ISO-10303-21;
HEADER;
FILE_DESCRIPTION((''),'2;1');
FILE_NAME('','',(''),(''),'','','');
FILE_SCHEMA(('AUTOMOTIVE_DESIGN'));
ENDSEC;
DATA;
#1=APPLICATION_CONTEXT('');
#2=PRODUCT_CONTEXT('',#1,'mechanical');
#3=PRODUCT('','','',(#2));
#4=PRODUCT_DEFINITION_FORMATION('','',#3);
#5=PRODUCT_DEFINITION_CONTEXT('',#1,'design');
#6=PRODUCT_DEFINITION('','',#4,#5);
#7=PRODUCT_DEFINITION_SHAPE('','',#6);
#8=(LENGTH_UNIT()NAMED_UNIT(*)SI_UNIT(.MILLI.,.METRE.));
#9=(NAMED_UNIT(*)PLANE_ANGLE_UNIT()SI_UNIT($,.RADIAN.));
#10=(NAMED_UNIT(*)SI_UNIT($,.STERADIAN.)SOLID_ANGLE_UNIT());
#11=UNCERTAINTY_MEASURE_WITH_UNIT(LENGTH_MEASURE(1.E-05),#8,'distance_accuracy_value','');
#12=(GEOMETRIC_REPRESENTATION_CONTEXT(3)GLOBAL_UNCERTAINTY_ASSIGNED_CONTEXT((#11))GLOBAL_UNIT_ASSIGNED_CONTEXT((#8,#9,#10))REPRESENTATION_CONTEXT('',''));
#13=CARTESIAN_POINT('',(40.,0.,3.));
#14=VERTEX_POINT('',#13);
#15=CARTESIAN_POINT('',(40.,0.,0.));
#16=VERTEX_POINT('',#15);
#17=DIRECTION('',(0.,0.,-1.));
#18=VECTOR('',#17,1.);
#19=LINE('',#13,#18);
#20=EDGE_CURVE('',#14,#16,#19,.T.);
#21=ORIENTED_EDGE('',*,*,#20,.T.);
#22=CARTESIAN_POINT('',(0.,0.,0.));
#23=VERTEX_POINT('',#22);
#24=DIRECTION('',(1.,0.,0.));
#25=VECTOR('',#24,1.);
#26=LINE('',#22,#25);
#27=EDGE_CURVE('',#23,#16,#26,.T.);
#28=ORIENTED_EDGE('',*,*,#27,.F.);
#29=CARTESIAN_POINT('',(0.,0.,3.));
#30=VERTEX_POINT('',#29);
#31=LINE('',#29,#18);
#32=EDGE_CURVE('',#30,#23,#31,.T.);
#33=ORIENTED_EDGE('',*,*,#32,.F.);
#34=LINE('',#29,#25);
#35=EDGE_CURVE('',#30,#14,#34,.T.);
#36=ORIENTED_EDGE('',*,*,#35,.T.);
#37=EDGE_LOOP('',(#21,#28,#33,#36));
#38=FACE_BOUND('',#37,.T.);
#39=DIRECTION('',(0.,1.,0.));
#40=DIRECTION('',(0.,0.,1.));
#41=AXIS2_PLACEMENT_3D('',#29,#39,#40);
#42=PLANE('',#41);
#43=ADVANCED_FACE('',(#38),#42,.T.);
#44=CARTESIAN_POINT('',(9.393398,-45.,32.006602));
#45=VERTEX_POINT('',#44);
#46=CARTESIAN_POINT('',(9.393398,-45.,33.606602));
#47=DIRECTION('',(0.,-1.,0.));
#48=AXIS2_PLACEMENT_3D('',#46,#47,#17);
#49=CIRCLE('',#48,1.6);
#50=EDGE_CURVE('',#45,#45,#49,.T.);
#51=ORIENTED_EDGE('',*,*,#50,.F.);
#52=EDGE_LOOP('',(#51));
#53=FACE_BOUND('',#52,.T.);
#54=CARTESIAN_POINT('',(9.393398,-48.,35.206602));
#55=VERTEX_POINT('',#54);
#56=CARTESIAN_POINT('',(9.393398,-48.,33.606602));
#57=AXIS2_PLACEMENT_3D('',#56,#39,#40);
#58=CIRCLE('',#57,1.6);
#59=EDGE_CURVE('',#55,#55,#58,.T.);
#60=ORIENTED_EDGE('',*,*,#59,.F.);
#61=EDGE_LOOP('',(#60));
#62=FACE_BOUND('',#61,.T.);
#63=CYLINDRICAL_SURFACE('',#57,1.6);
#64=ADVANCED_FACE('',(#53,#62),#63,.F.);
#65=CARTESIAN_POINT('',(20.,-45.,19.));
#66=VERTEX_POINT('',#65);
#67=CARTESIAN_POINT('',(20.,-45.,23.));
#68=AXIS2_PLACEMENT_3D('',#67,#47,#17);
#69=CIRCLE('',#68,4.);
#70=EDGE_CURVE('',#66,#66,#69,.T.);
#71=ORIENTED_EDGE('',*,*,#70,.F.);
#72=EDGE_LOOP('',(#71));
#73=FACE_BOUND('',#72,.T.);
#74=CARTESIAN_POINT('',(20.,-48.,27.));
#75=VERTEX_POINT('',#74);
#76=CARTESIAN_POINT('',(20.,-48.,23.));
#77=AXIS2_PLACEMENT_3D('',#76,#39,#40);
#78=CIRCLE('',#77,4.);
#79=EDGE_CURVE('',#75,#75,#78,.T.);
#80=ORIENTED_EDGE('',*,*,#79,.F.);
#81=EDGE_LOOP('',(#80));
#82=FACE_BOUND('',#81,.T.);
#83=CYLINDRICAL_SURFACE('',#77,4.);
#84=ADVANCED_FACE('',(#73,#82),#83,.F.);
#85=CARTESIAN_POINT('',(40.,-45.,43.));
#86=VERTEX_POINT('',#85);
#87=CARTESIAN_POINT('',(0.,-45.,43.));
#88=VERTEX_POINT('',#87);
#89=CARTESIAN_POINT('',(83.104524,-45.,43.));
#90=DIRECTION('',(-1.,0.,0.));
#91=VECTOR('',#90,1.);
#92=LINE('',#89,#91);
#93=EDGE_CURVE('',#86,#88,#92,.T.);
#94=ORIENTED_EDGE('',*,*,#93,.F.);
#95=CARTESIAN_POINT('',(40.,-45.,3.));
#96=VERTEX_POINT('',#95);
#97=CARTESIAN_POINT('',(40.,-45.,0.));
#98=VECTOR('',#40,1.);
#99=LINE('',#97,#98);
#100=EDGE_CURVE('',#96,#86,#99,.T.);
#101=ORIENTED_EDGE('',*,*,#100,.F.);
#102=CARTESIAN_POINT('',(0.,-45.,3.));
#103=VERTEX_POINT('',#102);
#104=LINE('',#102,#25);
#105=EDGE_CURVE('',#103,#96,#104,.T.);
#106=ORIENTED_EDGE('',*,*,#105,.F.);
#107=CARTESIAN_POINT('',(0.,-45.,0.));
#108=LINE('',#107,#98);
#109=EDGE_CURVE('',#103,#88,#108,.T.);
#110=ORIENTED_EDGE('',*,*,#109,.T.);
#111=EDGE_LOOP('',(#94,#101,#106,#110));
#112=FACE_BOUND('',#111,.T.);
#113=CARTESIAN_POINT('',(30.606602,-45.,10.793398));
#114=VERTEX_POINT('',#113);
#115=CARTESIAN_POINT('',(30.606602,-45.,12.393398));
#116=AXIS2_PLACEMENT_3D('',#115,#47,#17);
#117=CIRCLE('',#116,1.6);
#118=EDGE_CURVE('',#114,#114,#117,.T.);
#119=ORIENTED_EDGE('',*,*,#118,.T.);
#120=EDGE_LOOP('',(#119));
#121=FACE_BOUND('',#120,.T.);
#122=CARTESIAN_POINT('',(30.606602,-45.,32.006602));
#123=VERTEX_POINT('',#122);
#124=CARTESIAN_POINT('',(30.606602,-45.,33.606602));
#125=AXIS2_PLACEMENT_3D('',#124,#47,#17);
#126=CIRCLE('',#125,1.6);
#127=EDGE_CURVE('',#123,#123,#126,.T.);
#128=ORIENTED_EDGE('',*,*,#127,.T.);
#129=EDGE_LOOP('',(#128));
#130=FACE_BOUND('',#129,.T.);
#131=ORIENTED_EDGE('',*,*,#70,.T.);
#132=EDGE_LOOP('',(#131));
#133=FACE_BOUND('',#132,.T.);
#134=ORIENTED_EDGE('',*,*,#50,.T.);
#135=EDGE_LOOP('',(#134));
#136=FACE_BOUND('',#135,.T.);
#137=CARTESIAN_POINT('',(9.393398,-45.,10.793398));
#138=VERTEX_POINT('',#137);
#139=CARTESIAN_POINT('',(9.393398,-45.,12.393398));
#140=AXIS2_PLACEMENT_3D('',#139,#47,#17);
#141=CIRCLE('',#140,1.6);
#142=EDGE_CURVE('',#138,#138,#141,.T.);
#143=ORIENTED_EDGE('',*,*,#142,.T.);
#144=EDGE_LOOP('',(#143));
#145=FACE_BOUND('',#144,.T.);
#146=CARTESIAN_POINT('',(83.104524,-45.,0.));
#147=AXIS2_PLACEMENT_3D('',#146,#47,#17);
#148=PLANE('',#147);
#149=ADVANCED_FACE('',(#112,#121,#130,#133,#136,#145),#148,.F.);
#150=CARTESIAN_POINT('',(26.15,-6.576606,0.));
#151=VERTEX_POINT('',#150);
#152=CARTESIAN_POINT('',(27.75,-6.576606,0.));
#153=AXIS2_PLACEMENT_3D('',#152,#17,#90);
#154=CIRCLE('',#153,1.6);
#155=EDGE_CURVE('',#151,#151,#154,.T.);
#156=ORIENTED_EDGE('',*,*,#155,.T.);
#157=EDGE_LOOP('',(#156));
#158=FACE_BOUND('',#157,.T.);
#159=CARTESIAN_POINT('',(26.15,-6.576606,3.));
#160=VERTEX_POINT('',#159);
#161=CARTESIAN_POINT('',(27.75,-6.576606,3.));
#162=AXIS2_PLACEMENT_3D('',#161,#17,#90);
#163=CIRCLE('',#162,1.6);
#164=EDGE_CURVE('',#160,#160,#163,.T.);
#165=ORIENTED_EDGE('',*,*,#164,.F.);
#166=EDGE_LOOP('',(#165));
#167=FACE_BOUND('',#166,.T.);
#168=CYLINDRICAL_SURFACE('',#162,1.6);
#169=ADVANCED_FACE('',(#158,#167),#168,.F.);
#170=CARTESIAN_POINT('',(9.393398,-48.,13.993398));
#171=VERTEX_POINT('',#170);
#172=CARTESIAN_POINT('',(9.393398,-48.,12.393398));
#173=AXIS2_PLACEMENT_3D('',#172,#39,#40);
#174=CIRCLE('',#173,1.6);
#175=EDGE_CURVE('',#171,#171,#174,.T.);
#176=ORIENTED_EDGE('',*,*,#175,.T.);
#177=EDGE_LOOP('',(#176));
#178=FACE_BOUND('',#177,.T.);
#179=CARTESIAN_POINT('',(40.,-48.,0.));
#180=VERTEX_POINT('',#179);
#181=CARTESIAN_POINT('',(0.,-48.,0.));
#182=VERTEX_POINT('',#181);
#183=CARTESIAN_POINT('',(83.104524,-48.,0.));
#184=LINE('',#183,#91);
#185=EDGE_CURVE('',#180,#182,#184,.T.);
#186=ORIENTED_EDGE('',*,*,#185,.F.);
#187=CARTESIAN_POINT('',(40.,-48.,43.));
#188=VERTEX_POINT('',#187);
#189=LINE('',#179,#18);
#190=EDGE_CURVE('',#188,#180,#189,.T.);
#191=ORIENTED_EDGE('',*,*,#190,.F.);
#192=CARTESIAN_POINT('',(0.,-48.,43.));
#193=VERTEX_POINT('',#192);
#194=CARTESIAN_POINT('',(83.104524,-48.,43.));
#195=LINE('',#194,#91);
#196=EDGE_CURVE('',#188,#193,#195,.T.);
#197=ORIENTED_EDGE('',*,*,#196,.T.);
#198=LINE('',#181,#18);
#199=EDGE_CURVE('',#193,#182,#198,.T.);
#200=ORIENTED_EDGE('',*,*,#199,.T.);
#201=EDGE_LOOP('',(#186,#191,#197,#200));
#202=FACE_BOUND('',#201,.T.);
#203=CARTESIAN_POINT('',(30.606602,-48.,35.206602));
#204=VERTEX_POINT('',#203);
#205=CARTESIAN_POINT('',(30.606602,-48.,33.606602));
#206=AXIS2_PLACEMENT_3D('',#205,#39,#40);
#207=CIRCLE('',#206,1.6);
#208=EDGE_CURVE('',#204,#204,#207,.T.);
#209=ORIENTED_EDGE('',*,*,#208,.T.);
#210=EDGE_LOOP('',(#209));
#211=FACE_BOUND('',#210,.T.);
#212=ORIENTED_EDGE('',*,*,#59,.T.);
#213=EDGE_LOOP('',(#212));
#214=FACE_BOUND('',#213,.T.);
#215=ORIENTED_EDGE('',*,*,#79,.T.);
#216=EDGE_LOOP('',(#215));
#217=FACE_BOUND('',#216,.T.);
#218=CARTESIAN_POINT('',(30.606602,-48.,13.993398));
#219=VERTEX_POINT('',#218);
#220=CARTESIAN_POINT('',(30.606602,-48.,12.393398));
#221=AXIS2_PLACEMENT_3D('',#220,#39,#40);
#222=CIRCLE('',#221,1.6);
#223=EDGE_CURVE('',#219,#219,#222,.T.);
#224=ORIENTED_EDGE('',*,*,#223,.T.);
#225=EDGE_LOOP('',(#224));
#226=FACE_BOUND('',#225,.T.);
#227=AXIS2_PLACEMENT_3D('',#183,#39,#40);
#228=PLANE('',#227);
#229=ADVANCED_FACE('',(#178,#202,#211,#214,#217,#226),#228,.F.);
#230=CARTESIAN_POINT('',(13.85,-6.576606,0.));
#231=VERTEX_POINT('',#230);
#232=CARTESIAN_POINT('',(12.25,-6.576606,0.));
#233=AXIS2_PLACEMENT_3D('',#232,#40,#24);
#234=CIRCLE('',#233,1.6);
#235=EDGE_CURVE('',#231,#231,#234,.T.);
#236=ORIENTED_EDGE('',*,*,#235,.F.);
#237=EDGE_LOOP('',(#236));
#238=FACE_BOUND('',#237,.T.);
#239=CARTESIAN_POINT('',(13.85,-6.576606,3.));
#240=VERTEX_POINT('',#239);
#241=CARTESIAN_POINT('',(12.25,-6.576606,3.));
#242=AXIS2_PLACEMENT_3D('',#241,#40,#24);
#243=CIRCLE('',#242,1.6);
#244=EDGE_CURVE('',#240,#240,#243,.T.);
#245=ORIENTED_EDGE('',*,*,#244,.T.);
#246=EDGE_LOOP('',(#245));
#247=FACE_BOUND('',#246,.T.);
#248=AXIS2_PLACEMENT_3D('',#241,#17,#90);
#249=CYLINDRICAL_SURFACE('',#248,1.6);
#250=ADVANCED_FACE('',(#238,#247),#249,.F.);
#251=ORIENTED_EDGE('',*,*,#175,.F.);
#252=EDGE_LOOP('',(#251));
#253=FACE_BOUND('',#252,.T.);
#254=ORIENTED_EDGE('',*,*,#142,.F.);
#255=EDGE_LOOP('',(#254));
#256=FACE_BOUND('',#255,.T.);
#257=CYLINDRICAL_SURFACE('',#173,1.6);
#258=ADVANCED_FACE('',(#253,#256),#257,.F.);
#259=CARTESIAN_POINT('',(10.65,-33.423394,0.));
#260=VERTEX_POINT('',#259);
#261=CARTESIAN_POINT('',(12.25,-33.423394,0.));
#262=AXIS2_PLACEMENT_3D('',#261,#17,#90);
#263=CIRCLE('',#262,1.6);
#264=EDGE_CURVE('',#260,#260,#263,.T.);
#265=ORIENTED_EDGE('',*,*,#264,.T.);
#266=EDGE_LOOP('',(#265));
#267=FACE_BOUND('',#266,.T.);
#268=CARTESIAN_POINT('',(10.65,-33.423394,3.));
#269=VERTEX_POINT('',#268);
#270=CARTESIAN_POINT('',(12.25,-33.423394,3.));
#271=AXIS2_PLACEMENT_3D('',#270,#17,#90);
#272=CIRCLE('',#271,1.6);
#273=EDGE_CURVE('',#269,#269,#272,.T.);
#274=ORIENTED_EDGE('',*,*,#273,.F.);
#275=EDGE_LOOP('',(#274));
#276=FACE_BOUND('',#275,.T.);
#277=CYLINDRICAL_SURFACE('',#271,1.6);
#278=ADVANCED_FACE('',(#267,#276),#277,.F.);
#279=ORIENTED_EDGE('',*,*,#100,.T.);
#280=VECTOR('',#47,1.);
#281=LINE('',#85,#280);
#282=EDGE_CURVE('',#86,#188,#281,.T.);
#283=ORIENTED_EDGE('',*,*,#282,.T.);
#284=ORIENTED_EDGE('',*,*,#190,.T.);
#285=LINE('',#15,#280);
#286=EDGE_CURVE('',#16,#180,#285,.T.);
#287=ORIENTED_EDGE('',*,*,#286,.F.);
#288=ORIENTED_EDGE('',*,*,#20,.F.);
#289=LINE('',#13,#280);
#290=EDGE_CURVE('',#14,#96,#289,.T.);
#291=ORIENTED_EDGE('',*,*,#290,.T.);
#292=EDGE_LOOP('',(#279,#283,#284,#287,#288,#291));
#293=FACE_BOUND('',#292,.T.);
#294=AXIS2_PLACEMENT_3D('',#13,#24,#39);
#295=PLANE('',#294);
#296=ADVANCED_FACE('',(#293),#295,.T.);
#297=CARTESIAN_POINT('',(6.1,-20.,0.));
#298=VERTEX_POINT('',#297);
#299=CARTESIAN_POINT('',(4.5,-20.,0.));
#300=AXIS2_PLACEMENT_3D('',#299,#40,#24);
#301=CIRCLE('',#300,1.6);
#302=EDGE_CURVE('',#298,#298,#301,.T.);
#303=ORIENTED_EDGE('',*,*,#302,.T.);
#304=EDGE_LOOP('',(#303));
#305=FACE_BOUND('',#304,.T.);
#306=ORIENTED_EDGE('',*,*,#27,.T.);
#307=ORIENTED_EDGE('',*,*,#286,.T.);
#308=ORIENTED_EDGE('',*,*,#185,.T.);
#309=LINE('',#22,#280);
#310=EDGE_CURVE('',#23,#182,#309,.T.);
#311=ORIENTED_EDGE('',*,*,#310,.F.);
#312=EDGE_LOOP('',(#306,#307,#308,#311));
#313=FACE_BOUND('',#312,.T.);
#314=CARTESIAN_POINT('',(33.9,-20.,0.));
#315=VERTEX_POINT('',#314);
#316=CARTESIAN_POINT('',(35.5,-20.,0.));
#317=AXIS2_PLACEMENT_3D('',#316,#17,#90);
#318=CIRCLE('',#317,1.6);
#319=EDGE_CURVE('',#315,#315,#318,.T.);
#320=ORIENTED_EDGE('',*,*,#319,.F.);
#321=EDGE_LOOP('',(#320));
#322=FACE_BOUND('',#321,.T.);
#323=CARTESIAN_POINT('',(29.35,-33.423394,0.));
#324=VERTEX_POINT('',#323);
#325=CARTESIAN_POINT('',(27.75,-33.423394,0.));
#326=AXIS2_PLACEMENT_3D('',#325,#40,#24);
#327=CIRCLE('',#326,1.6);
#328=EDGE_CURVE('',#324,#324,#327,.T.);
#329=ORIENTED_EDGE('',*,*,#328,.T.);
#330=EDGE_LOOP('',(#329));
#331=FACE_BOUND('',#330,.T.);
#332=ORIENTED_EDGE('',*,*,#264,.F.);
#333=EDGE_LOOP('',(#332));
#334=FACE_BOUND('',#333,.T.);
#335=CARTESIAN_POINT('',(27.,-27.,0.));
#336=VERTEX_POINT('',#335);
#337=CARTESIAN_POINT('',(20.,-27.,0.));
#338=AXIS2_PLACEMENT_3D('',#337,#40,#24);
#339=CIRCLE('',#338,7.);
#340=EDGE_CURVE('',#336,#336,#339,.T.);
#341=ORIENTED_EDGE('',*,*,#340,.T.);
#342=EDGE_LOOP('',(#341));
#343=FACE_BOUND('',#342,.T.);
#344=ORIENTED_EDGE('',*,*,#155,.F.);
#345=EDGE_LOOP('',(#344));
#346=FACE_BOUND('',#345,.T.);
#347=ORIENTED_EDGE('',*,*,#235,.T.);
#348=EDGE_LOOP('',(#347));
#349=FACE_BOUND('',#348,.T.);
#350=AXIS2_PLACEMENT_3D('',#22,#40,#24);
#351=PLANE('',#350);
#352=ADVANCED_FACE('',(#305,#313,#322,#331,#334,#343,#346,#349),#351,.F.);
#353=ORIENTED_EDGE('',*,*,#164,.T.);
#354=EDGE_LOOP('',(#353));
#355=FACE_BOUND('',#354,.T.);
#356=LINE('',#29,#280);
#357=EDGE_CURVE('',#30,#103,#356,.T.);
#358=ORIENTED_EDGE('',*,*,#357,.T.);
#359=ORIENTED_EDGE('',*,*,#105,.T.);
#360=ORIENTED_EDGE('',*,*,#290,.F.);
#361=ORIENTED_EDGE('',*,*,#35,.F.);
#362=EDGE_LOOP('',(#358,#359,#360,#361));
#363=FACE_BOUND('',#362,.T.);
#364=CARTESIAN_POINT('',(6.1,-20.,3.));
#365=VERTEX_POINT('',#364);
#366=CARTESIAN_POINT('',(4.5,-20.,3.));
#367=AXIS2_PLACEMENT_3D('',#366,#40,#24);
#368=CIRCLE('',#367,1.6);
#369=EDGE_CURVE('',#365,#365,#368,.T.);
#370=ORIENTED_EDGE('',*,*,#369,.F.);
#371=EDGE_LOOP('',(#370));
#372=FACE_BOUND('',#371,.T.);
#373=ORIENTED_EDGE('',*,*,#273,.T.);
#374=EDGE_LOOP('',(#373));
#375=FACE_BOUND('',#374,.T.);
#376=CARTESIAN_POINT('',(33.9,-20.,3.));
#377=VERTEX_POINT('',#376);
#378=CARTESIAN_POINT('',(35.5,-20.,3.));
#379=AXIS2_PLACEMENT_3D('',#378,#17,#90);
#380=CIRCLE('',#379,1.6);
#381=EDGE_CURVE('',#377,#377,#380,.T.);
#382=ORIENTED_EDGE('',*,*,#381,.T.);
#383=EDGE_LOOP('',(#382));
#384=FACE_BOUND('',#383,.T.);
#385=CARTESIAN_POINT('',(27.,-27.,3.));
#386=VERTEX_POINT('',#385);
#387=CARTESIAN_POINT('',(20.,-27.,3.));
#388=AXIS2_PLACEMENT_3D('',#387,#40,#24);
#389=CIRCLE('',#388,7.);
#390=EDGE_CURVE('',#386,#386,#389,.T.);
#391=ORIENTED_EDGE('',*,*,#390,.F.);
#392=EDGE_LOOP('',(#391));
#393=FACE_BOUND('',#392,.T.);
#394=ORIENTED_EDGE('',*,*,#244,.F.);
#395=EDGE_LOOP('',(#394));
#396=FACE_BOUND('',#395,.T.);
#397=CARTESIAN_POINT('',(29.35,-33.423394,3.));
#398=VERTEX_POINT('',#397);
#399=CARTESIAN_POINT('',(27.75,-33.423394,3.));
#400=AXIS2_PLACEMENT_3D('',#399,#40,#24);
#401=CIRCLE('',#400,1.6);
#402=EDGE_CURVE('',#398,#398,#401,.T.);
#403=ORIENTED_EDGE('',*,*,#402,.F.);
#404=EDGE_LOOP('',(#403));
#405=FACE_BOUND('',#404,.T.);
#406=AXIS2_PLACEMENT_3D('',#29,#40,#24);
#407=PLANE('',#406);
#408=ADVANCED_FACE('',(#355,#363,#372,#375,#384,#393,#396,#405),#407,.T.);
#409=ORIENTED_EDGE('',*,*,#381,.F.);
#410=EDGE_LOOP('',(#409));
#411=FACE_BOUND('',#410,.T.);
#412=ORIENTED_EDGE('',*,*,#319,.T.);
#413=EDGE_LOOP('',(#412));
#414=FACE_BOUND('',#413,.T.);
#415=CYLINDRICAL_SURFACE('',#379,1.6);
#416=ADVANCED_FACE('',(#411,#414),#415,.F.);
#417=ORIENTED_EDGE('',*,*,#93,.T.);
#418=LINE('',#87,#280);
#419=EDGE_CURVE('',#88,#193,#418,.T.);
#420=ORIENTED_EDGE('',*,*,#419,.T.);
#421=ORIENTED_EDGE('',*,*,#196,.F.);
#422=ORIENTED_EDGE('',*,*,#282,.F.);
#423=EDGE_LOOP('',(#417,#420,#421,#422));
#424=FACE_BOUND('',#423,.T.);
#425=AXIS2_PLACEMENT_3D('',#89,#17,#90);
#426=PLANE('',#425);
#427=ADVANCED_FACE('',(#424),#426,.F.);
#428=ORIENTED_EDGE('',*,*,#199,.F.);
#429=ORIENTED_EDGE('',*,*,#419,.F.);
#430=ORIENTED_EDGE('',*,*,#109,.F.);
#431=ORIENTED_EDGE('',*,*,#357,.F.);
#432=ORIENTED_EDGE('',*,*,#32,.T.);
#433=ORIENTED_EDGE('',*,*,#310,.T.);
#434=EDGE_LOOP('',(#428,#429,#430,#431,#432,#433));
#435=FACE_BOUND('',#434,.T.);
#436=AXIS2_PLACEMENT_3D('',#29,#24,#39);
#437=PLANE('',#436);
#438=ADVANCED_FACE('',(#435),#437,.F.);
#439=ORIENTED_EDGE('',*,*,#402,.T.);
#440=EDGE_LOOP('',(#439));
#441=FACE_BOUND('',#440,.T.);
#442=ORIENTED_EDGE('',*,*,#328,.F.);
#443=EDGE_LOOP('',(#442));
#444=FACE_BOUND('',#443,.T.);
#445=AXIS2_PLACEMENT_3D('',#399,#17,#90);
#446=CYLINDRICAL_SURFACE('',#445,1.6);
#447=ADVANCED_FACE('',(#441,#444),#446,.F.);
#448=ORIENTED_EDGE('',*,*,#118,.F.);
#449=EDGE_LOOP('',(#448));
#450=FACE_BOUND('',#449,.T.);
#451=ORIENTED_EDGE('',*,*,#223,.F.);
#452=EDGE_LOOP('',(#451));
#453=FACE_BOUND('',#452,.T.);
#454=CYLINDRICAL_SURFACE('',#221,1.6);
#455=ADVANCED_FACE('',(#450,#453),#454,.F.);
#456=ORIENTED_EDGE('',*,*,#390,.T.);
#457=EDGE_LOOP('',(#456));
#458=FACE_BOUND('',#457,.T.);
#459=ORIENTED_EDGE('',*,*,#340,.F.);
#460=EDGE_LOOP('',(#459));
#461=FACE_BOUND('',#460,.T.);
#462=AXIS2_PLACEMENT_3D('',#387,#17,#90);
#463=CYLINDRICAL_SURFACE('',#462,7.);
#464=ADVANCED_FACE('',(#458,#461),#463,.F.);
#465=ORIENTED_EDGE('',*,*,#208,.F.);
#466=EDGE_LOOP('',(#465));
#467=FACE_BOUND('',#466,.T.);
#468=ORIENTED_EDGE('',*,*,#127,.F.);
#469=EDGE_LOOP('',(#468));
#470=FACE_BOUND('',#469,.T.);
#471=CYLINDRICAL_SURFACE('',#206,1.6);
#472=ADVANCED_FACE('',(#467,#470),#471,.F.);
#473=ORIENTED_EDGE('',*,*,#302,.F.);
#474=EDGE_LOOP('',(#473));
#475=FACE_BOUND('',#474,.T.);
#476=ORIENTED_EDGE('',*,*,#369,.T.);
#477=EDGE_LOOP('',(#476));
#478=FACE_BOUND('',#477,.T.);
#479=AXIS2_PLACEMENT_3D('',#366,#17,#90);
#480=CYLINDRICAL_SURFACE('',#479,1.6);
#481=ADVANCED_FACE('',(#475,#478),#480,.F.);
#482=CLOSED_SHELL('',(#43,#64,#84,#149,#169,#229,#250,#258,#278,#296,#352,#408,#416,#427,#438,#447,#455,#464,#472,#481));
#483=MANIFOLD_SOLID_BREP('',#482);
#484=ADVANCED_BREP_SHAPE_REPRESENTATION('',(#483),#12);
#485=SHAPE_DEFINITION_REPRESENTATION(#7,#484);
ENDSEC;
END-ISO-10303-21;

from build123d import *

# Parameters (mm, degrees)
SKETCH2_W               = 40
SKETCH2_H               = 45
SKETCH2_R               = 1.6
SKETCH2_R_2             = 7
BOSS_EXTRUDE1_DEPTH     = 3
SKETCH3_W               = 43
SKETCH3_H               = 3
BOSS_EXTRUDE2_DEPTH     = 40
CUT_EXTRUDE1_DEPTH      = 74.986485252
CUT_EXTRUDE1_DEPTH_BACK = 74.986485252
SKETCH4_R               = 1.6
SKETCH4_R_2             = 4


with BuildPart() as part:
    # Sketch2 → Boss-Extrude1 (new body)
    with BuildSketch(Plane.XY):
        with Locations((20, -22.5)):
            Rectangle(SKETCH2_W, SKETCH2_H)
        with Locations((4.5, -20)):
            Circle(SKETCH2_R, mode=Mode.SUBTRACT)
        with Locations(Location((35.5, -20, 0), (0, 0, 180))):
            Circle(SKETCH2_R, mode=Mode.SUBTRACT)
        with Locations((12.25, -6.576606241)):
            Circle(SKETCH2_R, mode=Mode.SUBTRACT)
        with Locations(Location((27.75, -6.576606241, 0), (0, 0, 180))):
            Circle(SKETCH2_R, mode=Mode.SUBTRACT)
        with Locations((27.75, -33.423393759)):
            Circle(SKETCH2_R, mode=Mode.SUBTRACT)
        with Locations(Location((12.25, -33.423393759, 0), (0, 0, 180))):
            Circle(SKETCH2_R, mode=Mode.SUBTRACT)
        with Locations((20, -27)):
            Circle(SKETCH2_R_2, mode=Mode.SUBTRACT)
    extrude(amount=BOSS_EXTRUDE1_DEPTH)

    # Sketch3 → Boss-Extrude2 (add)
    with BuildSketch(Plane(origin=(0, 0, 0), x_dir=(0, 0, -1), z_dir=(1, 0, 0))):
        with Locations((-21.5, -46.5)):
            Rectangle(SKETCH3_W, SKETCH3_H)
    extrude(amount=BOSS_EXTRUDE2_DEPTH)

    # Sketch4 → Cut-Extrude1 (cut, two sides: drawn at the far end of the back side and taken through both)
    with BuildSketch(Plane(origin=(0, -45, 0), x_dir=(1, 0, 0), z_dir=(0, 1, 0)).offset(-CUT_EXTRUDE1_DEPTH_BACK)):
        with Locations(Location((9.393398282, -33.606601718, 0), (0, 0, 270))):
            Circle(SKETCH4_R)
        with Locations(Location((20, -23, 0), (0, 0, 270))):
            Circle(SKETCH4_R_2)
        with Locations(Location((9.393398282, -12.393398282, 0), (0, 0, 270))):
            Circle(SKETCH4_R)
        with Locations(Location((30.606601718, -12.393398282, 0), (0, 0, 270))):
            Circle(SKETCH4_R)
        with Locations(Location((30.606601718, -33.606601718, 0), (0, 0, 270))):
            Circle(SKETCH4_R)
    extrude(amount=CUT_EXTRUDE1_DEPTH + CUT_EXTRUDE1_DEPTH_BACK, mode=Mode.SUBTRACT)


solid = part.part
